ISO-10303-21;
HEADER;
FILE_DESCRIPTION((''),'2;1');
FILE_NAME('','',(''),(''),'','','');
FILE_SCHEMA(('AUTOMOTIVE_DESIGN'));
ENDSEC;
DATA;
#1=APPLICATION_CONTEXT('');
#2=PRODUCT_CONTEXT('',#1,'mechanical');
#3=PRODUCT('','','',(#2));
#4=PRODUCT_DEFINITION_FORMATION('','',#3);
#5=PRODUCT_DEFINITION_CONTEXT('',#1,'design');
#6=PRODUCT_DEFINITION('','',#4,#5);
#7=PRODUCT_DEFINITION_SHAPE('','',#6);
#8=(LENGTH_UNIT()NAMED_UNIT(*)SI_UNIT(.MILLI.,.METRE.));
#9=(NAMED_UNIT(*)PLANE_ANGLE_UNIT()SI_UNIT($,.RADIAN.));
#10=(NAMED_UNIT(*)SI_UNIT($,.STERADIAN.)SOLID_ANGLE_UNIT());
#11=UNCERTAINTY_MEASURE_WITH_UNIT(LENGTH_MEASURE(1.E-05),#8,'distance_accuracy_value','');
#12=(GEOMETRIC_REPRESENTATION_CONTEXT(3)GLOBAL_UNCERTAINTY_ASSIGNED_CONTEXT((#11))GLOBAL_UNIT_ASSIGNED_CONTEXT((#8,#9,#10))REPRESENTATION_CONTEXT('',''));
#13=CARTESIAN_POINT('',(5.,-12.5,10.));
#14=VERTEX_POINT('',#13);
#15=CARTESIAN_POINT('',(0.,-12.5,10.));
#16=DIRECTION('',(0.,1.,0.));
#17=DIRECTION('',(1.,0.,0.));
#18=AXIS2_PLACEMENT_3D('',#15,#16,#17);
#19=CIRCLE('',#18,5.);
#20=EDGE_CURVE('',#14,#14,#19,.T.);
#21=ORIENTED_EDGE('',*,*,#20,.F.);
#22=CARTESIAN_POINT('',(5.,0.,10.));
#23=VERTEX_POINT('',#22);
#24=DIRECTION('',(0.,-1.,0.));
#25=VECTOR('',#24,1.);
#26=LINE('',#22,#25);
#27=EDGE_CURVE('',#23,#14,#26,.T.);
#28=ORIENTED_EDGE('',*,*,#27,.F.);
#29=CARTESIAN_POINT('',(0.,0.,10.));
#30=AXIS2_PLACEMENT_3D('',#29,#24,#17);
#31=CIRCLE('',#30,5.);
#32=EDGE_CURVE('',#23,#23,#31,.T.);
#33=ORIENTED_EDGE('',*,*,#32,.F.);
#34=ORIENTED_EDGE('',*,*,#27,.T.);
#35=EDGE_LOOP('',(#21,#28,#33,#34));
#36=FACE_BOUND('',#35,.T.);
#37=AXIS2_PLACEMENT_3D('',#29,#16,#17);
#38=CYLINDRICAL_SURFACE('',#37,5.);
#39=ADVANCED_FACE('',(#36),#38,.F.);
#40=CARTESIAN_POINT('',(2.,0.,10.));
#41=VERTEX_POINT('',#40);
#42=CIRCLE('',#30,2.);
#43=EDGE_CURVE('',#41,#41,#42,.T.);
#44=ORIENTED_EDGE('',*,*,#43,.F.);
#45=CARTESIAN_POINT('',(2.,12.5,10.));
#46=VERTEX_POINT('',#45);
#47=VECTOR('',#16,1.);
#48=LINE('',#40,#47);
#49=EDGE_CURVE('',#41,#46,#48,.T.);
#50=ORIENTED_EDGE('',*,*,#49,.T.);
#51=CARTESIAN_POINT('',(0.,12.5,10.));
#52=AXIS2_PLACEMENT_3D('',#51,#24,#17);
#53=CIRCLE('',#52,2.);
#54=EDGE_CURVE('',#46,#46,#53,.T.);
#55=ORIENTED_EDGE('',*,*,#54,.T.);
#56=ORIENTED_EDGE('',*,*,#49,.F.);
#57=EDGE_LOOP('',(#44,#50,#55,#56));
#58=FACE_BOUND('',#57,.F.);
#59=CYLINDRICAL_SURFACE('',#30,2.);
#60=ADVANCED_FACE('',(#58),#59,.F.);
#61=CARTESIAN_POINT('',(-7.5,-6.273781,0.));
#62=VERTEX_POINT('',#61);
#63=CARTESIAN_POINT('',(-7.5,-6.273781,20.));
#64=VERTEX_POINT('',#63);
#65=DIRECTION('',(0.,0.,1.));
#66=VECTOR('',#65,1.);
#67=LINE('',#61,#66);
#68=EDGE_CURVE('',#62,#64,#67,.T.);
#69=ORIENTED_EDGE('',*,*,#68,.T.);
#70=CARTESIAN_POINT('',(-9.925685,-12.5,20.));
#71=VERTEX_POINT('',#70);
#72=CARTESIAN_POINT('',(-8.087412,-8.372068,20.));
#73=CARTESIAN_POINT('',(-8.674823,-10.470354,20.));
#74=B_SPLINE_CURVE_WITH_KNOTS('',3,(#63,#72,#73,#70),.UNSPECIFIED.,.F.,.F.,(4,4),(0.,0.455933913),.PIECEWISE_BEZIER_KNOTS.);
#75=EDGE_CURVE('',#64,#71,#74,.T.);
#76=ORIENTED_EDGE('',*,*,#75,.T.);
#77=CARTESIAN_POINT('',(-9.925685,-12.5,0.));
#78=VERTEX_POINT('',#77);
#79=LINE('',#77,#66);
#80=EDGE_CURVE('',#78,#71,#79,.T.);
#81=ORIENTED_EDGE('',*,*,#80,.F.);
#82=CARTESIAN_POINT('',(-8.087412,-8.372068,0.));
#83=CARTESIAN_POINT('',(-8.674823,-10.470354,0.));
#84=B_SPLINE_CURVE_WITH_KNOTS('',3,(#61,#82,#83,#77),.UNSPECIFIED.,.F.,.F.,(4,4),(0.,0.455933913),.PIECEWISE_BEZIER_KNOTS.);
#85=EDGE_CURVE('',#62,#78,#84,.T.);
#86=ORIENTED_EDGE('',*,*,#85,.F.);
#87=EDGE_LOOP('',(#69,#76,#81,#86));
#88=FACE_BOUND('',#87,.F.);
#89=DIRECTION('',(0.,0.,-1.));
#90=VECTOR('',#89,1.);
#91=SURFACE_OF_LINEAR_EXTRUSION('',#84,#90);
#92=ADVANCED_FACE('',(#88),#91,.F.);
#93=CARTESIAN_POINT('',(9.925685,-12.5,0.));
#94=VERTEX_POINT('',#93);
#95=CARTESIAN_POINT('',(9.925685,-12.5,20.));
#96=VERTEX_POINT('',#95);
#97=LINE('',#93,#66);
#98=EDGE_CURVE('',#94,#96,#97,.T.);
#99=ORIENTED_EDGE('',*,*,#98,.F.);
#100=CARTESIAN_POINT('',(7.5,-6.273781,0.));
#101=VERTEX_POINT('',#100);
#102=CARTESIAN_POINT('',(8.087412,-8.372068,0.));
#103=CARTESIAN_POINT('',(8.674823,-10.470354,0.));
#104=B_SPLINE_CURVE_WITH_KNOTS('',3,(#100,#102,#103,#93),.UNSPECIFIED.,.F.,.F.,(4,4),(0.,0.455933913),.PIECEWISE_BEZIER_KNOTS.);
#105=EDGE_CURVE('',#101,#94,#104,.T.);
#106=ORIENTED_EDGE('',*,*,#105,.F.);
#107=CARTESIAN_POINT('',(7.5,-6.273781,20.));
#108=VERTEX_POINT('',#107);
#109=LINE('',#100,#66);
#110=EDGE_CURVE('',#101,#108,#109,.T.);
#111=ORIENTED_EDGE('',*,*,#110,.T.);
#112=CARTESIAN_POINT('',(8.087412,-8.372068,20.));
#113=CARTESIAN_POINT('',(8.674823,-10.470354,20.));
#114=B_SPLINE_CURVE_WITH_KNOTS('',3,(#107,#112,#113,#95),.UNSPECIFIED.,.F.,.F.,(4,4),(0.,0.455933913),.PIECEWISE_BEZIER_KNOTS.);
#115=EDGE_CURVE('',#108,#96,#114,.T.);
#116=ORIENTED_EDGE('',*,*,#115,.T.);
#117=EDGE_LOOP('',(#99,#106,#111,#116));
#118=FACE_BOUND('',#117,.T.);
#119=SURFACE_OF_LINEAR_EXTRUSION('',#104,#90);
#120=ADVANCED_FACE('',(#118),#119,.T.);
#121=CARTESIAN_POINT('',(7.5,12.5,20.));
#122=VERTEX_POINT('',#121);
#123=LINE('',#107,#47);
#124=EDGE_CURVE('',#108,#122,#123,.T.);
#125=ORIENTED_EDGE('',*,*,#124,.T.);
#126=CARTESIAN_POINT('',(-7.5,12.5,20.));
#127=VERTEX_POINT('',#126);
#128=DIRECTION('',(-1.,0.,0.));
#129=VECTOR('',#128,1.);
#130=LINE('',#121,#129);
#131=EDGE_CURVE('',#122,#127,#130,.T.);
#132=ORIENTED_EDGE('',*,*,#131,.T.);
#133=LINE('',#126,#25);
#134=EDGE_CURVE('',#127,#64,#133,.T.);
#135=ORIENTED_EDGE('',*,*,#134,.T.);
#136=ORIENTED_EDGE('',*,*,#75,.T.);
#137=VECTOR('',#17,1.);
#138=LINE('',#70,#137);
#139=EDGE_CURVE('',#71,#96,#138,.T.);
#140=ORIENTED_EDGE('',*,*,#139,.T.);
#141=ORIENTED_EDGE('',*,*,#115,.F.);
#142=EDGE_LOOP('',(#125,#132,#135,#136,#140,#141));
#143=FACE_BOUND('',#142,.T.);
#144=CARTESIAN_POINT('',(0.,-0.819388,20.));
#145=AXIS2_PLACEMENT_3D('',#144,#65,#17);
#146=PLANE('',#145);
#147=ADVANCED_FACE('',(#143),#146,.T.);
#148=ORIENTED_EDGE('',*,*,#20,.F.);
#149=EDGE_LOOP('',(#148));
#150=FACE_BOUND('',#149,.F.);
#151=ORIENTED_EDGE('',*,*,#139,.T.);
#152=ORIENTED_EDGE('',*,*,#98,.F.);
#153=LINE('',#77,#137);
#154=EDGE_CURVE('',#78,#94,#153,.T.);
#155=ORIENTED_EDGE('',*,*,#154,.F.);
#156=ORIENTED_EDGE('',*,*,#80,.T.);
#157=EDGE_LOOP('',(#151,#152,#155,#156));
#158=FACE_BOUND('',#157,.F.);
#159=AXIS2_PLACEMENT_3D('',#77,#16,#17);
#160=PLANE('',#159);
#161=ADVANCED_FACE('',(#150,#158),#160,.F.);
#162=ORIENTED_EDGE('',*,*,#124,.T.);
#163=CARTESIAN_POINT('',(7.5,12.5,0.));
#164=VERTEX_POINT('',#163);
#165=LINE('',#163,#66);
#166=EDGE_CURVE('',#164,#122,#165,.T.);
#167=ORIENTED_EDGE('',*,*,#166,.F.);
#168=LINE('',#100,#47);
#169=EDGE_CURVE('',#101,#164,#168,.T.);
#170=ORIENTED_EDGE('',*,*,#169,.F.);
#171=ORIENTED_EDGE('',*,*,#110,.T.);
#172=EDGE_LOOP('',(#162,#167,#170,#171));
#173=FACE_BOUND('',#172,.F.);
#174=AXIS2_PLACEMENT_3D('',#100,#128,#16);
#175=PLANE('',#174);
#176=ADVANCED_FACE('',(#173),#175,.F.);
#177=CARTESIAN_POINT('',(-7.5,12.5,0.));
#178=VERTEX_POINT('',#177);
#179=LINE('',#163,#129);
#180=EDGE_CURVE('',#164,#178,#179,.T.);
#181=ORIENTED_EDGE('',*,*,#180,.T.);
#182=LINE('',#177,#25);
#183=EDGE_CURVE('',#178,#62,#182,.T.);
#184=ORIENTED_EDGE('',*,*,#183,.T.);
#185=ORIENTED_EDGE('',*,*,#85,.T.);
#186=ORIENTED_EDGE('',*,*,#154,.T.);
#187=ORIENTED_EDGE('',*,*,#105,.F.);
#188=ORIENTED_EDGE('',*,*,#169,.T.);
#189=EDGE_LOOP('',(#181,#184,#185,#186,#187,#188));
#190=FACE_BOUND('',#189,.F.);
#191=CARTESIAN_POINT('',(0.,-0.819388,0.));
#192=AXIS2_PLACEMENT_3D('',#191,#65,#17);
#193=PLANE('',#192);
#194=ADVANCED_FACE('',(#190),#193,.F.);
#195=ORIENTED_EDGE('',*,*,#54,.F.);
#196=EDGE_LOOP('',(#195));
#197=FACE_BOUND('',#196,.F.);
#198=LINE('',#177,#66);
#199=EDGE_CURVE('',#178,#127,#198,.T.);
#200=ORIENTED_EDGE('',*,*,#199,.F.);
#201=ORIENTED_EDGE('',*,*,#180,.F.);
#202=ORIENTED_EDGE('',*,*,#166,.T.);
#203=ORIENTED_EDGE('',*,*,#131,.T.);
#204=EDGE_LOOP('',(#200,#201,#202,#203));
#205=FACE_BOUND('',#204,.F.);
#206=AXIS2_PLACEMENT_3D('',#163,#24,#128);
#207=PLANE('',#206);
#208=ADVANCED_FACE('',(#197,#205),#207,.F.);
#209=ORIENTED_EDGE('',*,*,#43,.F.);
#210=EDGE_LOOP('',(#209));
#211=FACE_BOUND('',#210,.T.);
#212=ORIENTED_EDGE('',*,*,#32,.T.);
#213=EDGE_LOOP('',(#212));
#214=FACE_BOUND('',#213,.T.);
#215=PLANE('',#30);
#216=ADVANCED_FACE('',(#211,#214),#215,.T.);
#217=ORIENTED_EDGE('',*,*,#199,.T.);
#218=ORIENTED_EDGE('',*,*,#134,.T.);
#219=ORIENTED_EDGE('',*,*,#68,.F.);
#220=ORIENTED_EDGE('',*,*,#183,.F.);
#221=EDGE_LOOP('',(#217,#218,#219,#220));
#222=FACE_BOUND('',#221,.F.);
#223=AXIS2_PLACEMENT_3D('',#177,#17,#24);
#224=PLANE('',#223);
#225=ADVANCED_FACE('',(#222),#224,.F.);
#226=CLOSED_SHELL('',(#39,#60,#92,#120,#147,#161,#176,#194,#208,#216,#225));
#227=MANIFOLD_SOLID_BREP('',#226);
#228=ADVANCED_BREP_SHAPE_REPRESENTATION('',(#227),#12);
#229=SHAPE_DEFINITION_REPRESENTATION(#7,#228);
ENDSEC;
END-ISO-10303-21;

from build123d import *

# Parameters (mm, degrees)
F1_DEPTH = 20
F2_R     = 5
F2_R_2   = 2
F3_DEPTH = 25
F4_DEPTH = 25


with BuildPart() as f1:
    # F0 (on Top) → F1 (new body)
    with BuildSketch(Plane.XY):
        with BuildLine():
            Line((-9.9256848916, -12.5), (-7.5, -12.5))
            Line((-7.5, -12.5), (7.5, -12.5))
            Line((7.5, -12.5), (9.9256848916, -12.5))
            add(Edge.make_bspline(
                [(7.5, -6.2737814151), (8.087411693, -8.3720675571), (8.674823386, -10.4703536991), (9.9256848916, -12.5)],
                knots=[0, 0, 0, 0, 0.4559339128, 0.4559339128, 0.4559339128, 0.4559339128], degree=3))
            Line((7.5, -6.2737814151), (7.5, 12.5))
            Line((7.5, 12.5), (-7.5, 12.5))
            Line((-7.5, 12.5), (-7.5, -6.2737814151))
            add(Edge.make_bspline(
                [(-7.5, -6.2737814151), (-8.087411693, -8.3720675571), (-8.674823386, -10.4703536991), (-9.9256848916, -12.5)],
                knots=[0, 0, 0, 0, 0.4559339128, 0.4559339128, 0.4559339128, 0.4559339128], degree=3))
        make_face()
    extrude(amount=F1_DEPTH)

    # F2 (on Front) → F3 (cut)
    with BuildSketch(Plane.XZ):
        with Locations((0, 10)):
            Circle(F2_R)
        with Locations((0, 10)):
            Circle(F2_R_2, mode=Mode.SUBTRACT)
        with Locations((0, 10)):
            Circle(F2_R_2)
    extrude(amount=F3_DEPTH, mode=Mode.SUBTRACT)

    # F2 (on Front) → F4 (cut)
    with BuildSketch(Plane.XZ):
        with Locations((0, 10)):
            Circle(F2_R_2)
    extrude(amount=-F4_DEPTH, mode=Mode.SUBTRACT)


solid = f1.part
